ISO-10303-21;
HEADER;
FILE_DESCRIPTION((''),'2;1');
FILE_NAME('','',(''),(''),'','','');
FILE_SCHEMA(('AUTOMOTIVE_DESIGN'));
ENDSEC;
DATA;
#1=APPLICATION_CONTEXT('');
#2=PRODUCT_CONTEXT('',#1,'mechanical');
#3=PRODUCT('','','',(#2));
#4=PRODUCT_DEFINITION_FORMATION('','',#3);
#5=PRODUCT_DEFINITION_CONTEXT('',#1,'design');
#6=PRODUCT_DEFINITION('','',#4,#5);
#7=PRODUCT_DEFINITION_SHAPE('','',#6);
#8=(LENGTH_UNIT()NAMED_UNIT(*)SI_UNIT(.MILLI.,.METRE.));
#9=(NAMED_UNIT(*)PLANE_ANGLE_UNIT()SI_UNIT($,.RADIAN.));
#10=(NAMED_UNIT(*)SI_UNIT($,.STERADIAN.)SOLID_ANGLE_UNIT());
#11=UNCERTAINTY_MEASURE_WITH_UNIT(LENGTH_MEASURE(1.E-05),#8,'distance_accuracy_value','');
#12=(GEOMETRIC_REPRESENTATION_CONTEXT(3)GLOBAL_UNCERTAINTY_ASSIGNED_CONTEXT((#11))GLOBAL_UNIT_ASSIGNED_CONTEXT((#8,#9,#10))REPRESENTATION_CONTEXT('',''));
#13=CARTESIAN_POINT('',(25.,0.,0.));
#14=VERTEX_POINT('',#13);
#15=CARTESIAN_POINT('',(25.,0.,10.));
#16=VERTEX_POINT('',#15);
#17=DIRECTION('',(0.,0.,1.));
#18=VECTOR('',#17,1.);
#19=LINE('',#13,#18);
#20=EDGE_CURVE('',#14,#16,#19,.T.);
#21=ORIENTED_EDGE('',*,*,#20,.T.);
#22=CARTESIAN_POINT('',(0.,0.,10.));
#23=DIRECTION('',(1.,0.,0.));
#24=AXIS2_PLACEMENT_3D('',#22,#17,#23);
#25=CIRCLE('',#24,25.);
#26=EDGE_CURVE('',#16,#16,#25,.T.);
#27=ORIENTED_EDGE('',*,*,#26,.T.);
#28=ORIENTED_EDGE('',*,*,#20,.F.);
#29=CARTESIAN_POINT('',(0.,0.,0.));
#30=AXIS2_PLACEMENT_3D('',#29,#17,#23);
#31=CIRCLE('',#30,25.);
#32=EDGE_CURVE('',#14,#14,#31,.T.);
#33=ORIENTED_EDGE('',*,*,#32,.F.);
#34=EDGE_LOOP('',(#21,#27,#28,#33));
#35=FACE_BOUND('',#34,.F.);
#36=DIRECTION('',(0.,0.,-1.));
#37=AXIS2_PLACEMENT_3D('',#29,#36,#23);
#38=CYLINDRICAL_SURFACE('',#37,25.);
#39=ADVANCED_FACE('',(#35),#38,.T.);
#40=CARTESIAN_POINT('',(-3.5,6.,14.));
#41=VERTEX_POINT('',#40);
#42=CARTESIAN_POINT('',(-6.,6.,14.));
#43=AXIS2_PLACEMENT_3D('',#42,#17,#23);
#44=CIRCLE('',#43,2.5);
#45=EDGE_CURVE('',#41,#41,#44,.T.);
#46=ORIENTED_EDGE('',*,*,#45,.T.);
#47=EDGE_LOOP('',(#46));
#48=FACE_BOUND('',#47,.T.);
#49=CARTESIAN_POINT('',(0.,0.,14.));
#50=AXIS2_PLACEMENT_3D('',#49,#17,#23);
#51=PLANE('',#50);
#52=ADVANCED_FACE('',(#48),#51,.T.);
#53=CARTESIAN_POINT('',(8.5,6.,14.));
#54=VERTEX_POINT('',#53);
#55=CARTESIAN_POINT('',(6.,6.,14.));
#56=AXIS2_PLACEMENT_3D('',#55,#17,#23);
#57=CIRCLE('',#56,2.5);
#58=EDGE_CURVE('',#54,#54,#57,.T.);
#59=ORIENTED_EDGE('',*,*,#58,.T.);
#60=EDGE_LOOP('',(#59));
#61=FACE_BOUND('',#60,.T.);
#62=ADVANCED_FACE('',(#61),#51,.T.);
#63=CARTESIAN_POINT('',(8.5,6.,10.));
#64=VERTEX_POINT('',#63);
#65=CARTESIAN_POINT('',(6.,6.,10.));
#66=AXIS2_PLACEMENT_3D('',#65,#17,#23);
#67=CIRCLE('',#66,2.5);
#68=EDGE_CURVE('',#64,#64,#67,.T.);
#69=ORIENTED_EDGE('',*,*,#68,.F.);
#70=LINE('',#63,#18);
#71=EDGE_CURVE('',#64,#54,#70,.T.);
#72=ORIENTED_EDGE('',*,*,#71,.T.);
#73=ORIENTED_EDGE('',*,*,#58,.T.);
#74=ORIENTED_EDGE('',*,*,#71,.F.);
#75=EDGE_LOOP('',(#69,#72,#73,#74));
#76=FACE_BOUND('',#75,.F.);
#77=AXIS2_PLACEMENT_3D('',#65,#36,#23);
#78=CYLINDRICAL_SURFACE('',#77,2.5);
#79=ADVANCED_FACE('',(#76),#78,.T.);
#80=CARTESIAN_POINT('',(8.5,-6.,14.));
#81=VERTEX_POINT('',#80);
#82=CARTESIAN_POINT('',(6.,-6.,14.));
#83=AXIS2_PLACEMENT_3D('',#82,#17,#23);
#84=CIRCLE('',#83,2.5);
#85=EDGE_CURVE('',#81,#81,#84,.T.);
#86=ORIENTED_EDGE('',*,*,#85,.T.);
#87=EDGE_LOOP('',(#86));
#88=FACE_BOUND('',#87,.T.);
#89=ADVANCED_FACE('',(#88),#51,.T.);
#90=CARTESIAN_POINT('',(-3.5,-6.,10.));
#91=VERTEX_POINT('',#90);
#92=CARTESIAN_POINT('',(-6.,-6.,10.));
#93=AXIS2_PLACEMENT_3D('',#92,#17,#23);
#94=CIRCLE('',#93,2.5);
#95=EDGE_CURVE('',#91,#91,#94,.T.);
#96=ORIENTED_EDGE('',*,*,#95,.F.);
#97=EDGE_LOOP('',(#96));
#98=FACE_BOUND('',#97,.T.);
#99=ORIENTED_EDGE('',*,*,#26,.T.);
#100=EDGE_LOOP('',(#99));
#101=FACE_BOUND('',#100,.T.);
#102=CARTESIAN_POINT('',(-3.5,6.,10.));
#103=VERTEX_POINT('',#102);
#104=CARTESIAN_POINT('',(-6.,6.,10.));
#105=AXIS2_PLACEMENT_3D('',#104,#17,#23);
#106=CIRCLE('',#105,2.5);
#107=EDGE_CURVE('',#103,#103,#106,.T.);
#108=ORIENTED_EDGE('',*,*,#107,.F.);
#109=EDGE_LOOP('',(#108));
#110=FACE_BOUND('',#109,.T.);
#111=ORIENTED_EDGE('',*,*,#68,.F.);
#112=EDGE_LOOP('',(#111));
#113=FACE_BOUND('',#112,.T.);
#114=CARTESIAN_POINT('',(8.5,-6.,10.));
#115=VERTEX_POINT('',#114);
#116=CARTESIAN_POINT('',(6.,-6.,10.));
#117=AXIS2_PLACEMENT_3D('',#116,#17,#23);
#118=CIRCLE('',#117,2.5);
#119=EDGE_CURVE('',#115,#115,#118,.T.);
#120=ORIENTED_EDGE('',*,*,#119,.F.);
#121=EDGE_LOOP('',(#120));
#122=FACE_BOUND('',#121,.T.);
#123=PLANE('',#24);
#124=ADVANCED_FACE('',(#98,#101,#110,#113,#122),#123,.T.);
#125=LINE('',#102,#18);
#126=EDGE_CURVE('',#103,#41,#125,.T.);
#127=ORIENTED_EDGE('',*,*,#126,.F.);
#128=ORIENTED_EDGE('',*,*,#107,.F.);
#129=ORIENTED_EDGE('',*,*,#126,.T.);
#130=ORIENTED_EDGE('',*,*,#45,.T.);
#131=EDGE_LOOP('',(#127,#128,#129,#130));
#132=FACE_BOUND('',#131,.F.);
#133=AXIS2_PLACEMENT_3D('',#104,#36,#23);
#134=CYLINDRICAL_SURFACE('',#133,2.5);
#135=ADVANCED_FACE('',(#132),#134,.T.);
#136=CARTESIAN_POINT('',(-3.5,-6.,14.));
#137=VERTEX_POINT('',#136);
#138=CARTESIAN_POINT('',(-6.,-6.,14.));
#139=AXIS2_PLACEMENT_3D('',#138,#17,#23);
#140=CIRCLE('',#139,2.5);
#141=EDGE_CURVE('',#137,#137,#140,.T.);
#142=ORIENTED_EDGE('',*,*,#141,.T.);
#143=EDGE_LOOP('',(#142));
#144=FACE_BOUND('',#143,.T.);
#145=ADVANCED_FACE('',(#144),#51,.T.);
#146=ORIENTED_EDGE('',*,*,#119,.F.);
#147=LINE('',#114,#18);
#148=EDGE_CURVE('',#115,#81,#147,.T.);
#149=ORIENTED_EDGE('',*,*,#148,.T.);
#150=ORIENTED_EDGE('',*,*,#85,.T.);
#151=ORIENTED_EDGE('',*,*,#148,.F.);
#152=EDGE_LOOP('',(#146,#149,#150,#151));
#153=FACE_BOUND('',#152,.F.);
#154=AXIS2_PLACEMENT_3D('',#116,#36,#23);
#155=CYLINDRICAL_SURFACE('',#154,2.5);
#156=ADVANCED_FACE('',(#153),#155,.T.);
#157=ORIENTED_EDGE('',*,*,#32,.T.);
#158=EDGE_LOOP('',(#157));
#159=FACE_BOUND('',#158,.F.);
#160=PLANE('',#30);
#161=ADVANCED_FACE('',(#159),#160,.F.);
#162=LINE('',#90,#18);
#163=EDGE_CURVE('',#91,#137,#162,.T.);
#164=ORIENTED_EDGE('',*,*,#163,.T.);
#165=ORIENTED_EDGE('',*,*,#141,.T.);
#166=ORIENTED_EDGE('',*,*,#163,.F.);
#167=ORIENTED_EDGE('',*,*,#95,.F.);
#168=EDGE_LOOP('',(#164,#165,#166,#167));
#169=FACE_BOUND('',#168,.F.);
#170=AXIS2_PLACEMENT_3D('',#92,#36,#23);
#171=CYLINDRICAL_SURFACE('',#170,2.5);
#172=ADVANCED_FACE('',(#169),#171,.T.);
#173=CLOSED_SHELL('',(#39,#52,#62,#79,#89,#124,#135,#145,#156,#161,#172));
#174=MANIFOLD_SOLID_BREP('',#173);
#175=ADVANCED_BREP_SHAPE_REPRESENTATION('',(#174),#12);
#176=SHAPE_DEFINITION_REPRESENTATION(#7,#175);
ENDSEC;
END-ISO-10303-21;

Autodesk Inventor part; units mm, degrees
ref_plane "YZ Plane" through (0, 0, 0) normal (1, 0, 0) x (0, 1, 0)
ref_plane "XZ Plane" through (0, 0, 0) normal (0, 1, 0) x (-1, 0, 0)
ref_plane "XY Plane" through (0, 0, 0) normal (0, 0, 1) x (1, 0, 0)
sketch "Boceto1" plane through (0, 0, 0) normal (0, 0, 1) x (1, 0, 0)
  circle A0 centre (0, 0) radius 25
  dimension "d0" = 50
extrude "Extrusión1" add sketch "Boceto1" along normal blind 10
sketch "Boceto3" plane through (0, 0, 10) normal (0, 0, 1) x (1, 0, 0)
  circle A0 centre (-6, -6) radius 2.5
  line L0 (0, 35) -> (0, -35) projected
  line L1 (-35, 0) -> (35, 0) projected
  circle A1 centre (6, -6) radius 2.5
  circle A2 centre (6, 6) radius 2.5
  circle A3 centre (-6, 6) radius 2.5
  line L2 (-18, -22) -> (18, -22)
  line L3 (18, -22) -> (18, 22)
  line L4 (18, 22) -> (-18, 22)
  line L5 (-18, 22) -> (-18, -22)
  point P0 (0, 0)
  dimension "d3" = 5
  dimension "d4" = 6
  dimension "d5" = 6
  dimension "d8" = 360
  dimension "d12" = 44
  dimension "d13" = 36
  dimension "d14" = 18
  dimension "d16" = 22
extrude "Extrusión2" add sketch "Boceto3" along normal blind 4 contours A0 | A1 | A2 | A3
properties part number "BaseH"
